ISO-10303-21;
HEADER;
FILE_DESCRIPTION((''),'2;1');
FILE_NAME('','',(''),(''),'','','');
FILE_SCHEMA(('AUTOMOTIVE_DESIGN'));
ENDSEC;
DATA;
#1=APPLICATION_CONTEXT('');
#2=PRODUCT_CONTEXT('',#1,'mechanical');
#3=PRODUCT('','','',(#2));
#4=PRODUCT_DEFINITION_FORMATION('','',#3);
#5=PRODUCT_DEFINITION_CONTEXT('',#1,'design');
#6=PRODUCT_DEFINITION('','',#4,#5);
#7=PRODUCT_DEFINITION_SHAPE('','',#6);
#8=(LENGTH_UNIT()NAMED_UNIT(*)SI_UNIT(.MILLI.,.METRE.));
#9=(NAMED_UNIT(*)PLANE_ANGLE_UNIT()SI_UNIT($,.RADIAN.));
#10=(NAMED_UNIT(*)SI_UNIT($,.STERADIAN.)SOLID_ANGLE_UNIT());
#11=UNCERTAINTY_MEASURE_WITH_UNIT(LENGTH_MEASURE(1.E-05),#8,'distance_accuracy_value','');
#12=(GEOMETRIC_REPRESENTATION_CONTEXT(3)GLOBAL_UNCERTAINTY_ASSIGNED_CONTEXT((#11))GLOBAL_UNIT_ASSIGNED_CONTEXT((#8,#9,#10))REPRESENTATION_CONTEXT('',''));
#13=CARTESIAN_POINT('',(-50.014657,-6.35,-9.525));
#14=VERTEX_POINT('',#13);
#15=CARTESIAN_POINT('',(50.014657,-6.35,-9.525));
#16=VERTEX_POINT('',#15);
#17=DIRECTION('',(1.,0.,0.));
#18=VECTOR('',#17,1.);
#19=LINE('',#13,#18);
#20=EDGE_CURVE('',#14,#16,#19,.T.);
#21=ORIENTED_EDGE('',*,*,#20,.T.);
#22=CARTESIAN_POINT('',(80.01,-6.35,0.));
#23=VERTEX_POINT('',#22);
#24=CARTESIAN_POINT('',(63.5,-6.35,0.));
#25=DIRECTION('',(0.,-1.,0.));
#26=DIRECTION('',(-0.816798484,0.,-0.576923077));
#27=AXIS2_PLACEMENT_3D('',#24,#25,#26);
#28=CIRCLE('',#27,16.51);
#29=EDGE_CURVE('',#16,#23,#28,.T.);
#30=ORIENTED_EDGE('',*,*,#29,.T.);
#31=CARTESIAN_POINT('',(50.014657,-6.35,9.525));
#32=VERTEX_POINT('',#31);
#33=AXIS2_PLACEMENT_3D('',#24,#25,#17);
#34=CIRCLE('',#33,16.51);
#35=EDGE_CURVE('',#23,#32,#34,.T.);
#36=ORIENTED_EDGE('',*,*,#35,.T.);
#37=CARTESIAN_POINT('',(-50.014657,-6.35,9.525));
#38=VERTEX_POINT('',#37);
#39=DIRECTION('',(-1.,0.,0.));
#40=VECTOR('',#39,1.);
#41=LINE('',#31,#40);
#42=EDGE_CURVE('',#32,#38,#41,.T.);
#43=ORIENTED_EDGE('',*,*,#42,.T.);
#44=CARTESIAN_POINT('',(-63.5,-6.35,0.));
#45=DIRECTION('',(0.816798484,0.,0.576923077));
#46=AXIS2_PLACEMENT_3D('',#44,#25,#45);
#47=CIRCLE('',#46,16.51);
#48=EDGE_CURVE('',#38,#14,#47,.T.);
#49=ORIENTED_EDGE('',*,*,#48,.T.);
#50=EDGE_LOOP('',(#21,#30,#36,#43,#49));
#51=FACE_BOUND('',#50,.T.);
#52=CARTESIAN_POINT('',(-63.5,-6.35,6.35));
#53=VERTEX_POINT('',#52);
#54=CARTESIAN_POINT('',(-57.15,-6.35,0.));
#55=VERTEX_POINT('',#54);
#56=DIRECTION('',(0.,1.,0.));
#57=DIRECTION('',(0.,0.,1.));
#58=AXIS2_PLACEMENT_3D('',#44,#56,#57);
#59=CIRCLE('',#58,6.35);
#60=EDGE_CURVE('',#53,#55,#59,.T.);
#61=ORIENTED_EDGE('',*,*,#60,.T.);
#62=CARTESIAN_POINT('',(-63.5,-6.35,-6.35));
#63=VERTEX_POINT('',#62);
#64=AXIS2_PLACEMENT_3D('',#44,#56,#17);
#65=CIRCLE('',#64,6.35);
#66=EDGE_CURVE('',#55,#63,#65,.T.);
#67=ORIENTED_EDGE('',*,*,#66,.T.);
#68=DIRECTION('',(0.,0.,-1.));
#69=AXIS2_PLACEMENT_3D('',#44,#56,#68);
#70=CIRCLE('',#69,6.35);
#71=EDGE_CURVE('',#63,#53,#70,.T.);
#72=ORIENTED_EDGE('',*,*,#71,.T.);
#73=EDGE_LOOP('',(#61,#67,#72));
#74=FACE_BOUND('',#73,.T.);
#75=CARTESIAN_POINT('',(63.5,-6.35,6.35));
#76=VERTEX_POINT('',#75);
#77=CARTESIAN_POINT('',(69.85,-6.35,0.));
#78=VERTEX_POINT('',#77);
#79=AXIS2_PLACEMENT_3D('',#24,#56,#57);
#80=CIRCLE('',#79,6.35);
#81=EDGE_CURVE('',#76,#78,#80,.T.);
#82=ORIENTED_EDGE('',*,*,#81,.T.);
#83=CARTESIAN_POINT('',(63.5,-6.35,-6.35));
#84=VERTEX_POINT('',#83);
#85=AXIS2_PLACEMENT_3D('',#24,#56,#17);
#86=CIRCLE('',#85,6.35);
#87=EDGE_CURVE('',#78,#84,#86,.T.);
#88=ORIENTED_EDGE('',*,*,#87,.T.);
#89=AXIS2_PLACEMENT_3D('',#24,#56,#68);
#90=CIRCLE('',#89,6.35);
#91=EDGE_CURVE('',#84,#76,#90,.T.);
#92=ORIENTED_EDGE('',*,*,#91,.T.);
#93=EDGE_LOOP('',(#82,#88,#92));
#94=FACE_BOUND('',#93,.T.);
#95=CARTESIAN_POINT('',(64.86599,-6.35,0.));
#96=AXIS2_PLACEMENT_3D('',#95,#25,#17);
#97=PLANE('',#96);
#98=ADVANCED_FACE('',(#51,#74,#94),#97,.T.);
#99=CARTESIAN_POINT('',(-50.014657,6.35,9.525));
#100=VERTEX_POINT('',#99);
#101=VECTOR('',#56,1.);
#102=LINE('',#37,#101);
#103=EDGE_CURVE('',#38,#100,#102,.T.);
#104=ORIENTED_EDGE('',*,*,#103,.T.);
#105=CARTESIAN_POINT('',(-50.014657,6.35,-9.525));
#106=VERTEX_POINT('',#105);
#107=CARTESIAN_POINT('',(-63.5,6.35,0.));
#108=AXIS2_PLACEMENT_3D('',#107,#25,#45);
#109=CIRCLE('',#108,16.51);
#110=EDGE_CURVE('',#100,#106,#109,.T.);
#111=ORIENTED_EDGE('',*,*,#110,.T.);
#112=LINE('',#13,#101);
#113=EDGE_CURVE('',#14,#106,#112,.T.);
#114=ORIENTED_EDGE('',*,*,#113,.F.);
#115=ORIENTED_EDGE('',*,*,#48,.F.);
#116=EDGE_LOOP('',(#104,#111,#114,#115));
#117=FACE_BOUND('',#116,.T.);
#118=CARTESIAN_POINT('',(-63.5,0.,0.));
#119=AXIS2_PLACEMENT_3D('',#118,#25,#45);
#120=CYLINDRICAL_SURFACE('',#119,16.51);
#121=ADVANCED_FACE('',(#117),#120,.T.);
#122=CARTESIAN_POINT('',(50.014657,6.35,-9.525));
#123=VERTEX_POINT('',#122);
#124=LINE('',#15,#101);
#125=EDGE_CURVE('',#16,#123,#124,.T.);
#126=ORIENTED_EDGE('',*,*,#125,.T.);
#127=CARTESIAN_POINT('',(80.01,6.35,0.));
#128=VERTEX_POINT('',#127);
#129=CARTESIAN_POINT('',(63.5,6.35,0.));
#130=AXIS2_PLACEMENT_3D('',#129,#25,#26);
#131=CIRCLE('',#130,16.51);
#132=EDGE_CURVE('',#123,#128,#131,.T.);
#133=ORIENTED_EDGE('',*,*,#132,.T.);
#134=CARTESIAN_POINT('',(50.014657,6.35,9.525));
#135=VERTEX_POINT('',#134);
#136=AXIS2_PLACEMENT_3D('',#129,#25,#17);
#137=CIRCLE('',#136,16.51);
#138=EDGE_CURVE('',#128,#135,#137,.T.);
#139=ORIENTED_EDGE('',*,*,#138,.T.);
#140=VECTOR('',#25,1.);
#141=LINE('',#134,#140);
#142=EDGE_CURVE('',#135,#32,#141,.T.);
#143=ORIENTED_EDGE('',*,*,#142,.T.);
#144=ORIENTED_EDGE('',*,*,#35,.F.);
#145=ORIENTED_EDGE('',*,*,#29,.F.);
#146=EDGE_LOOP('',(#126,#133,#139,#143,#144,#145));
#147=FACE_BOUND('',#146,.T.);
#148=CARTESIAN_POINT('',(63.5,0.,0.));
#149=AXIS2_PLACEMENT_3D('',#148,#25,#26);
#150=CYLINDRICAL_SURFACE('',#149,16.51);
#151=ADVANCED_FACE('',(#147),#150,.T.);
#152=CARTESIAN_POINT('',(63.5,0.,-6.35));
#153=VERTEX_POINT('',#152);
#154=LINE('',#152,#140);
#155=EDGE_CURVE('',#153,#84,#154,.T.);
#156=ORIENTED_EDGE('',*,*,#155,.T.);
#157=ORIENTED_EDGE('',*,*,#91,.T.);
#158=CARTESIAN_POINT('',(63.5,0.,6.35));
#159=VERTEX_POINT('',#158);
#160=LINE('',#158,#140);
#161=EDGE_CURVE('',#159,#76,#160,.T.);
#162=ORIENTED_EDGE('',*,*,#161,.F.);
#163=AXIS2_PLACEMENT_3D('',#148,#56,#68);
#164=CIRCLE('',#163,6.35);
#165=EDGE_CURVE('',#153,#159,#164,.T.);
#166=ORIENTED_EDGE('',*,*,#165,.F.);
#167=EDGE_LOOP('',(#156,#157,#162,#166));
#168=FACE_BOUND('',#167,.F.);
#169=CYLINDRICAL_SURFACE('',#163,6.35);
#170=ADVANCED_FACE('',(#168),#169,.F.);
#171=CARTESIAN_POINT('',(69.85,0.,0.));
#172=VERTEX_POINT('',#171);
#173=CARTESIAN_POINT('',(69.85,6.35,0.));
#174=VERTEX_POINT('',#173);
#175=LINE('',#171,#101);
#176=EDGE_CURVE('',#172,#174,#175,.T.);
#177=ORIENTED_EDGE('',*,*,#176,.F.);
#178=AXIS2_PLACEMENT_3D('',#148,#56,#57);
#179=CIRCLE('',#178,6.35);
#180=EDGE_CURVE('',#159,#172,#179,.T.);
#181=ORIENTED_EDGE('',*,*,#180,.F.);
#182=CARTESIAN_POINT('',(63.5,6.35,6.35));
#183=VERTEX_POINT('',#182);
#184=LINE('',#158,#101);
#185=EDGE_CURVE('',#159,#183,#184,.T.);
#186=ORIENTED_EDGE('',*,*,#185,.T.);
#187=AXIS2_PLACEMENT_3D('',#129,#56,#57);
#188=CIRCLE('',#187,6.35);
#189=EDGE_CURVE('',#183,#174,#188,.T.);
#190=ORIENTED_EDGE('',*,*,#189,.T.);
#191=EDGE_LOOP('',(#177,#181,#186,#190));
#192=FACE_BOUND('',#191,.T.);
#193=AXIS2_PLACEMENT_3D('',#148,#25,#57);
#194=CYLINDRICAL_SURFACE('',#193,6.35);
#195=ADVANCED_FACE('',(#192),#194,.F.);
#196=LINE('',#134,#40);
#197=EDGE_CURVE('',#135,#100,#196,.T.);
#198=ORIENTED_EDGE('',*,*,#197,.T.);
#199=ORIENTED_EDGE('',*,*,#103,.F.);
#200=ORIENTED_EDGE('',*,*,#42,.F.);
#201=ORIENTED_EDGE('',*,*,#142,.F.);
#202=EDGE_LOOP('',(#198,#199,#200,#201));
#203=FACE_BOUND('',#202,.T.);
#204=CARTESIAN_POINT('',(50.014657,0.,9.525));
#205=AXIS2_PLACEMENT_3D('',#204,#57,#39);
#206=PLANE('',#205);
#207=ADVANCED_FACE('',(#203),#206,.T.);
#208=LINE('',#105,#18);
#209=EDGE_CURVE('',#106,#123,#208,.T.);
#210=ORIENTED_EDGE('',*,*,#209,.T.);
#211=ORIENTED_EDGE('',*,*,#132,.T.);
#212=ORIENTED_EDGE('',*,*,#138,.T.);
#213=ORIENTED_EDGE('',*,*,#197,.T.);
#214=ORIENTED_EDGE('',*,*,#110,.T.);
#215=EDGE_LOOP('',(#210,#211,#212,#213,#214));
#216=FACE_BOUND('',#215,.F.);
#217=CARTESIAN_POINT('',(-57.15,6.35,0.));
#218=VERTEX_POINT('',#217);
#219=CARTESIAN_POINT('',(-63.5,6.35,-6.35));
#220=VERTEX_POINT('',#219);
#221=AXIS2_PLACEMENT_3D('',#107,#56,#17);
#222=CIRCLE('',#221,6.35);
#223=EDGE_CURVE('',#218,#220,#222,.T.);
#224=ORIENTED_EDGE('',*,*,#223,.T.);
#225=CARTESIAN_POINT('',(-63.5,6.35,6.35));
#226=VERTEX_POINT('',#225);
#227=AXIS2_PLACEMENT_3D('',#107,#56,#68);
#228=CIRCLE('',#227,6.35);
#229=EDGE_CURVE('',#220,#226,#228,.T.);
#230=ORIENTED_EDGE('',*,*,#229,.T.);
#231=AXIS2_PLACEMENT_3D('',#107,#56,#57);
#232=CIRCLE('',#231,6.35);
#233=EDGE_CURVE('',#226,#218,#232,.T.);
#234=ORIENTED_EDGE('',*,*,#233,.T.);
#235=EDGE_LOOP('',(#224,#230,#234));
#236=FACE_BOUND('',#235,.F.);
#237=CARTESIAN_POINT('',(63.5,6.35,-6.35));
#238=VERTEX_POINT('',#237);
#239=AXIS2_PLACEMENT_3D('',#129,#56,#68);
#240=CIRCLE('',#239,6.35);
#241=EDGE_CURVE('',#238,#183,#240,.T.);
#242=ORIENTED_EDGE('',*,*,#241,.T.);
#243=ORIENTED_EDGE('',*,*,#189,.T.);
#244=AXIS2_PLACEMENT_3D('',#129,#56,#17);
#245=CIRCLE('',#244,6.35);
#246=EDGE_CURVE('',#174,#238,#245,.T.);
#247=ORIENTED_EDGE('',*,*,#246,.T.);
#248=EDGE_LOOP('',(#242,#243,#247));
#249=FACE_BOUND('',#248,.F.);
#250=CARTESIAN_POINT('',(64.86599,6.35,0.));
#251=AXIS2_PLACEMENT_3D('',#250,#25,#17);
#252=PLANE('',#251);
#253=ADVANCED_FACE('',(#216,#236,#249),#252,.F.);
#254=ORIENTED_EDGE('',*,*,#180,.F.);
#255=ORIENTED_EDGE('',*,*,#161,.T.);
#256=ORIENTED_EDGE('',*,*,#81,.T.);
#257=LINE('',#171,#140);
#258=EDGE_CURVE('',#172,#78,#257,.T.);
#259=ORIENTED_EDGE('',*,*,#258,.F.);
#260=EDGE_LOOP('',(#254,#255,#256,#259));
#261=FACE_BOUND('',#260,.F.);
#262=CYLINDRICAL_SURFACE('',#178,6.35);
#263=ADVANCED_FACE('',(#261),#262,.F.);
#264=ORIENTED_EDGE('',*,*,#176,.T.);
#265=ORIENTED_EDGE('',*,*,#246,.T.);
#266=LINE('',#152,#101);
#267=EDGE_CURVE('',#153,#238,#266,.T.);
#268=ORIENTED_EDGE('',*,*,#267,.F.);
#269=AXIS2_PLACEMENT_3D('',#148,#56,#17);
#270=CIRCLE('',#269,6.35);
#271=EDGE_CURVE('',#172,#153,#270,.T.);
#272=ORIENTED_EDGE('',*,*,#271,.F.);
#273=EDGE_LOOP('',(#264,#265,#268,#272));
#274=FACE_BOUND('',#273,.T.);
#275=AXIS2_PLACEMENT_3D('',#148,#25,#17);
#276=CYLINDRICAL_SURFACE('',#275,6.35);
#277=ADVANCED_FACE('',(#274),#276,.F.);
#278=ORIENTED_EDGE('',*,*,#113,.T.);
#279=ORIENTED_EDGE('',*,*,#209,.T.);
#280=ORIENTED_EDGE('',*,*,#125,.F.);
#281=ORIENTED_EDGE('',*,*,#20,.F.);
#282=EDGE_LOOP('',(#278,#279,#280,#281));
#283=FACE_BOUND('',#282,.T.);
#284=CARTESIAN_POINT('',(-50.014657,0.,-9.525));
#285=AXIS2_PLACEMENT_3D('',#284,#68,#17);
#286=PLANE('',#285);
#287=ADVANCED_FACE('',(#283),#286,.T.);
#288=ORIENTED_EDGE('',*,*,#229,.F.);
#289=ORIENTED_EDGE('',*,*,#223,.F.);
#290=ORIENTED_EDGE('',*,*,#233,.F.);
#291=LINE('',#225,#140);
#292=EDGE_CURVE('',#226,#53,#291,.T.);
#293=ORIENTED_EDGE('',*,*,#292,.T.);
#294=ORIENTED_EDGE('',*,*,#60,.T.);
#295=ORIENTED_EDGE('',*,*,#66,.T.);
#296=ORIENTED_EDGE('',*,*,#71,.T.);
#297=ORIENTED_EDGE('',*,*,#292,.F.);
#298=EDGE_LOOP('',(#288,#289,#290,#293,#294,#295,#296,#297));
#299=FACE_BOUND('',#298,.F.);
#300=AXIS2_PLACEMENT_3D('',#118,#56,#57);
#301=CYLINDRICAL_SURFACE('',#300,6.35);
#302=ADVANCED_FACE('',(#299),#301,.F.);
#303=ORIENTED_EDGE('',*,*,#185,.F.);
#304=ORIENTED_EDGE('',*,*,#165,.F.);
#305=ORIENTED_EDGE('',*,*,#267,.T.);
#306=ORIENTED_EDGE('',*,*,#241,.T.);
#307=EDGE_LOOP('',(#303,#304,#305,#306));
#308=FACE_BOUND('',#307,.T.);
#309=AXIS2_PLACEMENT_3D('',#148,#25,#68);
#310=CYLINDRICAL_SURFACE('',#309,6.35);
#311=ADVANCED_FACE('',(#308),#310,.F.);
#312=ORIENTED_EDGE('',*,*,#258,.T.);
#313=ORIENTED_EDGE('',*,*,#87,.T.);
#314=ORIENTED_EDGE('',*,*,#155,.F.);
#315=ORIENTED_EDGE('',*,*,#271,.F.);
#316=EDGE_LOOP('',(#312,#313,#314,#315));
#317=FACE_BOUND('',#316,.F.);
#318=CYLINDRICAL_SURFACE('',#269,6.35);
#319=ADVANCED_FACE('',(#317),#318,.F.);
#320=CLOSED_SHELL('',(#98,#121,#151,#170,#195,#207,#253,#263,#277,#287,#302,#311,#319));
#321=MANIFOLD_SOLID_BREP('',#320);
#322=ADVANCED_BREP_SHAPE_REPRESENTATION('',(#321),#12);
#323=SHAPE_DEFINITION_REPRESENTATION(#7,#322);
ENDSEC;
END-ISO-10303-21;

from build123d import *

# Parameters (mm, degrees)
F1_DEPTH = 6.35


with BuildPart() as f1:
    # F0 (on Front) → F1 (new body, symmetric)
    with BuildSketch(Plane.XZ):
        with BuildLine():
            Line((63.5, -6.35), (63.5, -9.525))
            Line((63.5, -9.525), (50.0146570307, -9.525))
            ThreePointArc((50.0146570307, -9.525), (68.4968533887, -15.7356778123), (80.01, 0))
            ThreePointArc((80.01, 0), (68.4968533887, 15.7356778123), (50.0146570307, 9.525))
            Line((50.0146570307, 9.525), (63.5, 9.525))
            Line((63.5, 9.525), (63.5, 6.35))
            ThreePointArc((63.5, 6.35), (67.9901280605, 4.4901280605), (69.85, 0))
            ThreePointArc((69.85, 0), (67.9901280605, -4.4901280605), (63.5, -6.35))
        make_face()
        with BuildLine():
            Line((50.0146570307, -9.525), (63.5, -9.525))
            Line((63.5, -9.525), (63.5, -6.35))
            ThreePointArc((63.5, -6.35), (57.15, 0), (63.5, 6.35))
            Line((63.5, 6.35), (63.5, 9.525))
            Line((63.5, 9.525), (50.0146570307, 9.525))
            ThreePointArc((50.0146570307, 9.525), (46.99, 0), (50.0146570307, -9.525))
        make_face()
        with BuildLine():
            Line((-50.0146570307, -9.525), (50.0146570307, -9.525))
            ThreePointArc((50.0146570307, -9.525), (46.99, 0), (50.0146570307, 9.525))
            Line((50.0146570307, 9.525), (-50.0146570307, 9.525))
            ThreePointArc((-50.0146570307, 9.525), (-47.7643221877, 4.9968533887), (-46.99, 0))
            ThreePointArc((-46.99, 0), (-47.7643221877, -4.9968533887), (-50.0146570307, -9.525))
        make_face()
        with BuildLine():
            ThreePointArc((-50.0146570307, 9.525), (-80.01, 0), (-50.0146570307, -9.525))
            Line((-50.0146570307, -9.525), (-63.5, -9.525))
            Line((-63.5, -9.525), (-63.5, -6.35))
            ThreePointArc((-63.5, -6.35), (-69.85, 0), (-63.5, 6.35))
            Line((-63.5, 6.35), (-63.5, 9.525))
            Line((-63.5, 9.525), (-50.0146570307, 9.525))
        make_face()
        with BuildLine():
            Line((-63.5, -9.525), (-50.0146570307, -9.525))
            ThreePointArc((-50.0146570307, -9.525), (-47.7643221877, -4.9968533887), (-46.99, 0))
            ThreePointArc((-46.99, 0), (-47.7643221877, 4.9968533887), (-50.0146570307, 9.525))
            Line((-50.0146570307, 9.525), (-63.5, 9.525))
            Line((-63.5, 9.525), (-63.5, 6.35))
            ThreePointArc((-63.5, 6.35), (-59.0098719395, 4.4901280605), (-57.15, 0))
            ThreePointArc((-57.15, 0), (-59.0098719395, -4.4901280605), (-63.5, -6.35))
            Line((-63.5, -6.35), (-63.5, -9.525))
        make_face()
    extrude(amount=F1_DEPTH, both=True)


solid = f1.part
